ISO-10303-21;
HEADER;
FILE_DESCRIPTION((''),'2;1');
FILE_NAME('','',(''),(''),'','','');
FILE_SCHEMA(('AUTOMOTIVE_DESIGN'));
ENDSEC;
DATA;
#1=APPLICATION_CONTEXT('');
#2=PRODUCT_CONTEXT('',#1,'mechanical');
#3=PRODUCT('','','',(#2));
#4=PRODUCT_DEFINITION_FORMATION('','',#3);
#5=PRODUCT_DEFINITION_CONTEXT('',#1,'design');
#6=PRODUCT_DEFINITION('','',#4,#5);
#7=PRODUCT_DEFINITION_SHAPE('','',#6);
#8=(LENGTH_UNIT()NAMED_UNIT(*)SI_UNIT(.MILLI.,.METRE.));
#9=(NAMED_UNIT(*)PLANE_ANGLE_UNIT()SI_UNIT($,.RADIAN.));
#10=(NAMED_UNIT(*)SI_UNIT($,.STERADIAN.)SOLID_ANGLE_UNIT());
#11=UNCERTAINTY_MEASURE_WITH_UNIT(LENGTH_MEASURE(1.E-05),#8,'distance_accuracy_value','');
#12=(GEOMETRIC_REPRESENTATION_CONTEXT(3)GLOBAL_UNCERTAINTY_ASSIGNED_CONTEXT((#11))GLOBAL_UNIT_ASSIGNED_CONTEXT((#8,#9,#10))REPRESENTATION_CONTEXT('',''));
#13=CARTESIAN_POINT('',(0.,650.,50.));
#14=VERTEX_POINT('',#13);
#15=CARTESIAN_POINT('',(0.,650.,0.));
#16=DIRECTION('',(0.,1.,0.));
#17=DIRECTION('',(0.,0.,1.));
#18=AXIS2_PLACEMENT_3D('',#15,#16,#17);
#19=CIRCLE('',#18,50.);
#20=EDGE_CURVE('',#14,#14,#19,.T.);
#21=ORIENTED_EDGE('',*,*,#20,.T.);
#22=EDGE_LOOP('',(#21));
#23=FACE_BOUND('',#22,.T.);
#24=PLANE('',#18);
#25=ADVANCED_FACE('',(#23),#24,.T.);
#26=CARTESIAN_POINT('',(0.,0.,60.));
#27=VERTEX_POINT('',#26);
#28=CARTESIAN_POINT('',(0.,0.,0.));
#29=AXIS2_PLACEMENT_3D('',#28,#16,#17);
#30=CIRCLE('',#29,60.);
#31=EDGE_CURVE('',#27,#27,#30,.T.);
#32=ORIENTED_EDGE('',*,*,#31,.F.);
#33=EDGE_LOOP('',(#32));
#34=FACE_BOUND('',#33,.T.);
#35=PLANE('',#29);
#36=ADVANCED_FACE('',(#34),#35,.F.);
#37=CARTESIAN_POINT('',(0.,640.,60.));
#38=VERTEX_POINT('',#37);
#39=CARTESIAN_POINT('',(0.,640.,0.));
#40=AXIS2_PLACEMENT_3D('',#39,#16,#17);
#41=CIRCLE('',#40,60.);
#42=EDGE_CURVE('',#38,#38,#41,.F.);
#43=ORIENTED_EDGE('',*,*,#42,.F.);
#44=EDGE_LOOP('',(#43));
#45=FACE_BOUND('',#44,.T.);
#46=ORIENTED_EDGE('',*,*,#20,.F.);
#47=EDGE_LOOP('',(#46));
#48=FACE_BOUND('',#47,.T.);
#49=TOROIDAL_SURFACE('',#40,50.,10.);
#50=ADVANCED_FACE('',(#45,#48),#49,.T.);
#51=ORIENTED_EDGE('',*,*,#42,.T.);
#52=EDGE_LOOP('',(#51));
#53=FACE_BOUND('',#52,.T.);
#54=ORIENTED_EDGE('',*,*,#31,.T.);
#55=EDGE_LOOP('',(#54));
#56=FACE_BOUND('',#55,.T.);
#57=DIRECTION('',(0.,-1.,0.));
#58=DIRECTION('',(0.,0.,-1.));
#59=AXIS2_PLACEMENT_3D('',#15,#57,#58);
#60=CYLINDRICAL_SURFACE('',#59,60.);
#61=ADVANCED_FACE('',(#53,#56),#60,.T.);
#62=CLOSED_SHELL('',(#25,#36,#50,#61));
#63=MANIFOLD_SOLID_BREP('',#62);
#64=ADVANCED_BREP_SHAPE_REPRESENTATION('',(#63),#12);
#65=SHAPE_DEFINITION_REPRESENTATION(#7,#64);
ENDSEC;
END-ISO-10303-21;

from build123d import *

# Parameters (mm, degrees)
SKETCH2_R           = 60
BOSS_EXTRUDE1_DEPTH = 650
FILLET1_R           = 10


with BuildPart() as part:
    # Sketch2 → Boss-Extrude1 (new body)
    with BuildSketch(Plane(origin=(0, 0, 0), x_dir=(1, 0, 0), z_dir=(0, 1, 0))):
        Circle(SKETCH2_R)
    extrude(amount=BOSS_EXTRUDE1_DEPTH)

    # Fillet1
    fillet1_edges = [part.edges().sort_by_distance(p)[0] for p in [
        (-60, 650, 0),
    ]]
    fillet(fillet1_edges, radius=FILLET1_R)


solid = part.part
